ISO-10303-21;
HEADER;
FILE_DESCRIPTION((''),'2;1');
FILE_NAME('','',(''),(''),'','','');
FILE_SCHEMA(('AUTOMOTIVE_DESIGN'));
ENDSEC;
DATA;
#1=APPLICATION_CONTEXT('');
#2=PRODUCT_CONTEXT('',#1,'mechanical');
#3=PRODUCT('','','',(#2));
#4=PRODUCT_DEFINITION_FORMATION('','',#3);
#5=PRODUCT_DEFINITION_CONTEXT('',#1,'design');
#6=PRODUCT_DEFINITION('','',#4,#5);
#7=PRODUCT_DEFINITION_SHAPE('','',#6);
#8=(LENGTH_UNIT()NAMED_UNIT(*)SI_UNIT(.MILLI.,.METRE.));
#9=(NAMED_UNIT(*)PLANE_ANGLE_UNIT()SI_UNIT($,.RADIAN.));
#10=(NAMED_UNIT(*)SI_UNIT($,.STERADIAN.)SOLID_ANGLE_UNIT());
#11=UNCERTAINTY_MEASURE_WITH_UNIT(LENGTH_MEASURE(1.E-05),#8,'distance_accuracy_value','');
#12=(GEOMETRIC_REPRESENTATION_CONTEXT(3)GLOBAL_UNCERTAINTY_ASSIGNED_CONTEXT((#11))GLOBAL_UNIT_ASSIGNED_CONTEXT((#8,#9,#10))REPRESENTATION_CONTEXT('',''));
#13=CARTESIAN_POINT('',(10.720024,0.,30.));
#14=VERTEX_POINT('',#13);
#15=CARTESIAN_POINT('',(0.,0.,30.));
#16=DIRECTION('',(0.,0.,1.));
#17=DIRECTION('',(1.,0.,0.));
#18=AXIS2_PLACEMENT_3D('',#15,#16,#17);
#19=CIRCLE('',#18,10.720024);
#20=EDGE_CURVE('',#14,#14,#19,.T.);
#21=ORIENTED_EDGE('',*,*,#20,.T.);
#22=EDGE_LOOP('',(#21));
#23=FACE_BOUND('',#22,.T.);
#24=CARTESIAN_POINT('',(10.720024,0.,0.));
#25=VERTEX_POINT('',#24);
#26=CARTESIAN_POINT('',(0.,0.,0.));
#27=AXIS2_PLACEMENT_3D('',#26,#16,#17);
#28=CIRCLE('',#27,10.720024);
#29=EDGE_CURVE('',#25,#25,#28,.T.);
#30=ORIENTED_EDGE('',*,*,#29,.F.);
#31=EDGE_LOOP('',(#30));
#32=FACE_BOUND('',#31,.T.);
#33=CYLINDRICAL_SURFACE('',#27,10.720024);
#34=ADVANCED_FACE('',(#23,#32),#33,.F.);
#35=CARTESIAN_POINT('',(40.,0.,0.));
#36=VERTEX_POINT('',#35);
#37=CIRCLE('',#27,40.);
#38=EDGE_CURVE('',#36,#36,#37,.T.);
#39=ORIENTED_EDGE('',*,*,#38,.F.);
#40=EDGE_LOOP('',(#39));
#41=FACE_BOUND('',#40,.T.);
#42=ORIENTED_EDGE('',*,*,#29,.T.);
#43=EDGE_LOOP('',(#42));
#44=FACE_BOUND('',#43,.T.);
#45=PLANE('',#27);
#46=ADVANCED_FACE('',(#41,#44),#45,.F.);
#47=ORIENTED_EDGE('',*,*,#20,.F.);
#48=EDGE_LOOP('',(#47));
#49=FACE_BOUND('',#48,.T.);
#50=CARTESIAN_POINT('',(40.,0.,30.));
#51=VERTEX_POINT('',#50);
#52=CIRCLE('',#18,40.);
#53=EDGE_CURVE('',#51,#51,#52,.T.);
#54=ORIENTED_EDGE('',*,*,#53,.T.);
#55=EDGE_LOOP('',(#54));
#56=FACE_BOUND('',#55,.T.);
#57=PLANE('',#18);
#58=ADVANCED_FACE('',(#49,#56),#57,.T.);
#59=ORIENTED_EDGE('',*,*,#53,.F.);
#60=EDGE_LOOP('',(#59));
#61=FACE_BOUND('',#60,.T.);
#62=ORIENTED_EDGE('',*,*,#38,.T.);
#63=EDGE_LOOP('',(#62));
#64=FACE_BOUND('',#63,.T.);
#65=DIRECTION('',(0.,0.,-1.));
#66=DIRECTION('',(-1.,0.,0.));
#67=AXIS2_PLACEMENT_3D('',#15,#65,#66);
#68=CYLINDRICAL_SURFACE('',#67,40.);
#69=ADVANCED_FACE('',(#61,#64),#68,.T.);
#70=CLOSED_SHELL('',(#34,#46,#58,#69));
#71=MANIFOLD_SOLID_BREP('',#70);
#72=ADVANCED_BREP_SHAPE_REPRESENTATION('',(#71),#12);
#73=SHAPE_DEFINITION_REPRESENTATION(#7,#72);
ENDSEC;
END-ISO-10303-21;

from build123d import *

# Parameters (mm, degrees)
SKETCH3_R           = 40
BOSS_EXTRUDE2_DEPTH = 30
SKETCH4_R           = 10.7200241
CUT_EXTRUDE1_DEPTH  = 30


with BuildPart() as part:
    # Sketch3 → Boss-Extrude2 (new body)
    with BuildSketch(Plane.XY):
        Circle(SKETCH3_R)
    extrude(amount=BOSS_EXTRUDE2_DEPTH)

    # Sketch4 → Cut-Extrude1 (cut)
    with BuildSketch(Plane.XY.offset(30)):
        Circle(SKETCH4_R)
    extrude(amount=-CUT_EXTRUDE1_DEPTH, mode=Mode.SUBTRACT)


solid = part.part
